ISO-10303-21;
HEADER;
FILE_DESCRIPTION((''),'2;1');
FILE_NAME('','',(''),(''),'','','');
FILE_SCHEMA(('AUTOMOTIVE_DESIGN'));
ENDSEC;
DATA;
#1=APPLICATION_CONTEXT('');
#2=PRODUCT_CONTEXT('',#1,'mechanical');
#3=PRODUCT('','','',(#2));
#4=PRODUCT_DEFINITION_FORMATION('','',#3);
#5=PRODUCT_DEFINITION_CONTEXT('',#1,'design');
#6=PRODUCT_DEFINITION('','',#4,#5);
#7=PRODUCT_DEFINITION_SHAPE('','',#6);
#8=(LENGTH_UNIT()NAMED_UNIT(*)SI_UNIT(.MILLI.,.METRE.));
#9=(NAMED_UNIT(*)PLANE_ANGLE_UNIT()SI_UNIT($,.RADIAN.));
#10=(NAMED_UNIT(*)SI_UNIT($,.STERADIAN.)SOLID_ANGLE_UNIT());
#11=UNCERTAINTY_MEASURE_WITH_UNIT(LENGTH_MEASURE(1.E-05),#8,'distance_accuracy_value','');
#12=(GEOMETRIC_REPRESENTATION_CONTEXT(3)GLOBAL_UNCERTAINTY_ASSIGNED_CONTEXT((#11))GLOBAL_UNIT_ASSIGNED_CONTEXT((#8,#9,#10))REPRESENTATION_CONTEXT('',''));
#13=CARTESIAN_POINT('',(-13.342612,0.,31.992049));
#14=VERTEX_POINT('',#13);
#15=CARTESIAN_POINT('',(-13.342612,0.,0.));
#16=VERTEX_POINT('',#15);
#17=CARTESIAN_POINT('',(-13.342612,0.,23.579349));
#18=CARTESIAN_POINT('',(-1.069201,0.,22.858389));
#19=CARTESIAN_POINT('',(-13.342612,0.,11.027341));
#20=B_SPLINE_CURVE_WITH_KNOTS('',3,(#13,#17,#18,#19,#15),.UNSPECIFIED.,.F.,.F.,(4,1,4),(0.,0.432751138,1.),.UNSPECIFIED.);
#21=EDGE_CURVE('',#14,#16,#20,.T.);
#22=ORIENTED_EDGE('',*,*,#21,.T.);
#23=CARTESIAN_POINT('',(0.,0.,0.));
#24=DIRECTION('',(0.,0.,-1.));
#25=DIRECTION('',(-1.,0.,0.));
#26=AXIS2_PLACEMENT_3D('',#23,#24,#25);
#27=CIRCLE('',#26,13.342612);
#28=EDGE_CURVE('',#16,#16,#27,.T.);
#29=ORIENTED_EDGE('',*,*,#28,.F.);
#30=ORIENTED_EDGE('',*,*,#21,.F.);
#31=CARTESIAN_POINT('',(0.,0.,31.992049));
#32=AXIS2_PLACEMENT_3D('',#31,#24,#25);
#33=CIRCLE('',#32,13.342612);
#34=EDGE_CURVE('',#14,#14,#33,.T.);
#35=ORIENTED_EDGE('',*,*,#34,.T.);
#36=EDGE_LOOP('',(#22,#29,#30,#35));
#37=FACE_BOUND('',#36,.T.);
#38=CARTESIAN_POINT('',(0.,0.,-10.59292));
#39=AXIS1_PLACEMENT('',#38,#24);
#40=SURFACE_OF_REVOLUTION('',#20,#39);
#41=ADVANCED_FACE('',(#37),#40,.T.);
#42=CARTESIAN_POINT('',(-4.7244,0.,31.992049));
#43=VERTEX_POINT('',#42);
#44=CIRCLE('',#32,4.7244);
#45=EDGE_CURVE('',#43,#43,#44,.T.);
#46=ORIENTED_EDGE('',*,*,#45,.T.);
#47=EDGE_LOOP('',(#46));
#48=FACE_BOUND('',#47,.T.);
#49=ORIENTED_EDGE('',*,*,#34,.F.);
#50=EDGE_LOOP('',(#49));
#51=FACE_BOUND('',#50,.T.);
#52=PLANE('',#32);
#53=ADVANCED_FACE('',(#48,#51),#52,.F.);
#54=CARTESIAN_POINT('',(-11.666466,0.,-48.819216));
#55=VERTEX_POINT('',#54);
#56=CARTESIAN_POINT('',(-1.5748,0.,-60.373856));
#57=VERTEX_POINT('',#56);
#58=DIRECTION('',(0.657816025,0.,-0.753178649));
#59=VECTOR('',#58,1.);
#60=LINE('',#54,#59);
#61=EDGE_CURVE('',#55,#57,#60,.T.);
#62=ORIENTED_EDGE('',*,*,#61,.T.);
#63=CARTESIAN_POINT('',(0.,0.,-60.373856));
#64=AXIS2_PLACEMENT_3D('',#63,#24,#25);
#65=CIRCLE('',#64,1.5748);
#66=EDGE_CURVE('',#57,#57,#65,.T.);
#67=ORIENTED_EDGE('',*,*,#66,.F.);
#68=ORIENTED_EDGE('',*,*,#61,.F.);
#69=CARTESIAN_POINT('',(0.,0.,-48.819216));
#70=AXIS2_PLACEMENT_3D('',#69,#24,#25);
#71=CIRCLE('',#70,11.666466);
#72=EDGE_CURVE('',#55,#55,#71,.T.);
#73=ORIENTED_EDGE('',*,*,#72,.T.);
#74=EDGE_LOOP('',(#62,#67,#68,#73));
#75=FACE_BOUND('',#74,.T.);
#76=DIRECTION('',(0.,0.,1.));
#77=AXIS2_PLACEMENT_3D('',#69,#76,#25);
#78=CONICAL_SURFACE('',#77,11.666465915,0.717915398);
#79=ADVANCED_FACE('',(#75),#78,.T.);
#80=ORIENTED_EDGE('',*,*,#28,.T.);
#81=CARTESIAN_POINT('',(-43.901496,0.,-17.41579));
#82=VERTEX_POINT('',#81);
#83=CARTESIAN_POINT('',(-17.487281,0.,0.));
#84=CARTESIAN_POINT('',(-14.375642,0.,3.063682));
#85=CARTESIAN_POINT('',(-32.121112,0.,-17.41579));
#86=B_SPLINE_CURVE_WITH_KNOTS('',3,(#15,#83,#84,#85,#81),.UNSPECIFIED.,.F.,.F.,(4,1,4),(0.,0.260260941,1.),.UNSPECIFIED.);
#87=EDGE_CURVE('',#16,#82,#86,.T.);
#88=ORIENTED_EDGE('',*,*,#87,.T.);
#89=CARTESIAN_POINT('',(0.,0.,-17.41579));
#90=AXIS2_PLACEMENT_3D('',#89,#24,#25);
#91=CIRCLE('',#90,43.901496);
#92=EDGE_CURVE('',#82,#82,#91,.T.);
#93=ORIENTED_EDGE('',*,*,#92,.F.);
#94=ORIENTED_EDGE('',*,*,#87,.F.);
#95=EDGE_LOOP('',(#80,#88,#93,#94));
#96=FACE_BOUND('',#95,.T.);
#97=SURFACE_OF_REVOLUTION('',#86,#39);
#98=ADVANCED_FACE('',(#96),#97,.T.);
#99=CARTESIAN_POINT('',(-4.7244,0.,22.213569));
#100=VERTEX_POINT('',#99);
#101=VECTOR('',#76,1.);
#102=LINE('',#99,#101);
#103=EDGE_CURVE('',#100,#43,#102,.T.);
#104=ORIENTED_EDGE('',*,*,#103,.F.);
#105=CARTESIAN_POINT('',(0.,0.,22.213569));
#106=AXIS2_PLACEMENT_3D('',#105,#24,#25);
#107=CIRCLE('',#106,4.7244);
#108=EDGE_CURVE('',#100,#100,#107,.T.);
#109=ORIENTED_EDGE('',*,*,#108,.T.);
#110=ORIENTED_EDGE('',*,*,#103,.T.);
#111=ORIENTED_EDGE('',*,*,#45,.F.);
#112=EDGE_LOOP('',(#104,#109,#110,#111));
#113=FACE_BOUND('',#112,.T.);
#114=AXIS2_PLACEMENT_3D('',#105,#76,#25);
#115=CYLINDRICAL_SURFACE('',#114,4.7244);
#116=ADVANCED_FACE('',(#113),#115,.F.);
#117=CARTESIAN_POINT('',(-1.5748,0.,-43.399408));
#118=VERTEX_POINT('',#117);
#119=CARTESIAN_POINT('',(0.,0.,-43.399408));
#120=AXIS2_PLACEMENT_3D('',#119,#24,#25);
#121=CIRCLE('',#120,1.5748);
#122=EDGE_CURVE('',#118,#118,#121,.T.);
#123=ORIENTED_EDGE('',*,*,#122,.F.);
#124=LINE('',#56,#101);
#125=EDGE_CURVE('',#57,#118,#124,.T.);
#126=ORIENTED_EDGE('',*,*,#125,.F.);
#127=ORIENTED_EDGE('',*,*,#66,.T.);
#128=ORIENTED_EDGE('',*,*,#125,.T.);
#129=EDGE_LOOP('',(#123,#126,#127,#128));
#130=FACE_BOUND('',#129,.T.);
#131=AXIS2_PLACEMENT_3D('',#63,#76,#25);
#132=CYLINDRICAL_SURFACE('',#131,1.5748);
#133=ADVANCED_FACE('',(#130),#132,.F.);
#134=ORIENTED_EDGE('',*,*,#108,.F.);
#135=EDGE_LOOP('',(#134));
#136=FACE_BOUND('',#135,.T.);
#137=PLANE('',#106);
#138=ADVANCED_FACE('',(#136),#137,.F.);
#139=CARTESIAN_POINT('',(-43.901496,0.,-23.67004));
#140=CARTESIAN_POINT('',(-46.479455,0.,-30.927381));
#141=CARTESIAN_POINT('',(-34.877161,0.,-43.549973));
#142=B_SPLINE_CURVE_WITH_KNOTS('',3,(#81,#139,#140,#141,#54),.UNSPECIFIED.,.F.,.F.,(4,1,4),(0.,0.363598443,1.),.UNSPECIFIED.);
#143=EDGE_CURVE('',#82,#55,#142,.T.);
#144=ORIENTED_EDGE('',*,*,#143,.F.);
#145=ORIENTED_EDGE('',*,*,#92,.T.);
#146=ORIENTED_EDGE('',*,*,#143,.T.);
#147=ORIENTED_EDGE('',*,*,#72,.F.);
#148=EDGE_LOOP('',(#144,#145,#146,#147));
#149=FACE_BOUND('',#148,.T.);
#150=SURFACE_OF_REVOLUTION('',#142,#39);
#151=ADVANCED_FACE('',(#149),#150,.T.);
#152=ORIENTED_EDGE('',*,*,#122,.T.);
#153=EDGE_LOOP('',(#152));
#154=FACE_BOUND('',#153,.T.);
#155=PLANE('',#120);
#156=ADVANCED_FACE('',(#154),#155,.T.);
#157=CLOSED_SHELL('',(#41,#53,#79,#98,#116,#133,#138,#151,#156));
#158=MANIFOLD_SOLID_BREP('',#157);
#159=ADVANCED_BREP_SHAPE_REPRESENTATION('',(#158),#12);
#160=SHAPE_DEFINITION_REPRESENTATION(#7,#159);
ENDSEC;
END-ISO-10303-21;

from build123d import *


with BuildPart() as f1:
    # F0 (on Front) → F1 (revolve)
    with BuildSketch(Plane.XZ):
        with BuildLine():
            Line((-4.7244, 22.2135692715), (-4.7244, 31.992048953))
            Line((-4.7244, 31.992048953), (-13.342611617, 31.992048953))
            add(Edge.make_bspline(
                [(-13.342611617, 31.992048953), (-13.342611617, 23.5793488524), (-1.0692011531, 22.8583890072), (-13.342611617, 11.0273414279), (-13.342611617, 0)],
                knots=[0, 0, 0, 0, 0.4327511383, 1, 1, 1, 1], degree=3))
            add(Edge.make_bspline(
                [(-13.342611617, 0), (-17.4872809604, 0), (-14.3756415327, 3.0636816489), (-32.1211119987, -17.4157902899), (-43.9014959254, -17.4157902899)],
                knots=[0, 0, 0, 0, 0.2602609406, 1, 1, 1, 1], degree=3))
            add(Edge.make_bspline(
                [(-43.9014959254, -17.4157902899), (-43.9014959254, -23.6700399748), (-46.479454718, -30.9273813002), (-34.8771613997, -43.5499729392), (-11.6664659152, -48.8192164691)],
                knots=[0, 0, 0, 0, 0.3635984427, 1, 1, 1, 1], degree=3))
            Line((-11.6664659152, -48.8192164691), (-1.5748, -60.3738563937))
            Line((-1.5748, -60.3738563937), (-1.5748, -43.3994084597))
            Line((-1.5748, -43.3994084597), (0, -43.3994084597))
            Line((0, -43.3994084597), (0, 22.2135692715))
            Line((0, 22.2135692715), (-4.7244, 22.2135692715))
        make_face()
    revolve(axis=Axis((0, 0, -10.5929195941), (0, 0, -1)))


solid = f1.part
